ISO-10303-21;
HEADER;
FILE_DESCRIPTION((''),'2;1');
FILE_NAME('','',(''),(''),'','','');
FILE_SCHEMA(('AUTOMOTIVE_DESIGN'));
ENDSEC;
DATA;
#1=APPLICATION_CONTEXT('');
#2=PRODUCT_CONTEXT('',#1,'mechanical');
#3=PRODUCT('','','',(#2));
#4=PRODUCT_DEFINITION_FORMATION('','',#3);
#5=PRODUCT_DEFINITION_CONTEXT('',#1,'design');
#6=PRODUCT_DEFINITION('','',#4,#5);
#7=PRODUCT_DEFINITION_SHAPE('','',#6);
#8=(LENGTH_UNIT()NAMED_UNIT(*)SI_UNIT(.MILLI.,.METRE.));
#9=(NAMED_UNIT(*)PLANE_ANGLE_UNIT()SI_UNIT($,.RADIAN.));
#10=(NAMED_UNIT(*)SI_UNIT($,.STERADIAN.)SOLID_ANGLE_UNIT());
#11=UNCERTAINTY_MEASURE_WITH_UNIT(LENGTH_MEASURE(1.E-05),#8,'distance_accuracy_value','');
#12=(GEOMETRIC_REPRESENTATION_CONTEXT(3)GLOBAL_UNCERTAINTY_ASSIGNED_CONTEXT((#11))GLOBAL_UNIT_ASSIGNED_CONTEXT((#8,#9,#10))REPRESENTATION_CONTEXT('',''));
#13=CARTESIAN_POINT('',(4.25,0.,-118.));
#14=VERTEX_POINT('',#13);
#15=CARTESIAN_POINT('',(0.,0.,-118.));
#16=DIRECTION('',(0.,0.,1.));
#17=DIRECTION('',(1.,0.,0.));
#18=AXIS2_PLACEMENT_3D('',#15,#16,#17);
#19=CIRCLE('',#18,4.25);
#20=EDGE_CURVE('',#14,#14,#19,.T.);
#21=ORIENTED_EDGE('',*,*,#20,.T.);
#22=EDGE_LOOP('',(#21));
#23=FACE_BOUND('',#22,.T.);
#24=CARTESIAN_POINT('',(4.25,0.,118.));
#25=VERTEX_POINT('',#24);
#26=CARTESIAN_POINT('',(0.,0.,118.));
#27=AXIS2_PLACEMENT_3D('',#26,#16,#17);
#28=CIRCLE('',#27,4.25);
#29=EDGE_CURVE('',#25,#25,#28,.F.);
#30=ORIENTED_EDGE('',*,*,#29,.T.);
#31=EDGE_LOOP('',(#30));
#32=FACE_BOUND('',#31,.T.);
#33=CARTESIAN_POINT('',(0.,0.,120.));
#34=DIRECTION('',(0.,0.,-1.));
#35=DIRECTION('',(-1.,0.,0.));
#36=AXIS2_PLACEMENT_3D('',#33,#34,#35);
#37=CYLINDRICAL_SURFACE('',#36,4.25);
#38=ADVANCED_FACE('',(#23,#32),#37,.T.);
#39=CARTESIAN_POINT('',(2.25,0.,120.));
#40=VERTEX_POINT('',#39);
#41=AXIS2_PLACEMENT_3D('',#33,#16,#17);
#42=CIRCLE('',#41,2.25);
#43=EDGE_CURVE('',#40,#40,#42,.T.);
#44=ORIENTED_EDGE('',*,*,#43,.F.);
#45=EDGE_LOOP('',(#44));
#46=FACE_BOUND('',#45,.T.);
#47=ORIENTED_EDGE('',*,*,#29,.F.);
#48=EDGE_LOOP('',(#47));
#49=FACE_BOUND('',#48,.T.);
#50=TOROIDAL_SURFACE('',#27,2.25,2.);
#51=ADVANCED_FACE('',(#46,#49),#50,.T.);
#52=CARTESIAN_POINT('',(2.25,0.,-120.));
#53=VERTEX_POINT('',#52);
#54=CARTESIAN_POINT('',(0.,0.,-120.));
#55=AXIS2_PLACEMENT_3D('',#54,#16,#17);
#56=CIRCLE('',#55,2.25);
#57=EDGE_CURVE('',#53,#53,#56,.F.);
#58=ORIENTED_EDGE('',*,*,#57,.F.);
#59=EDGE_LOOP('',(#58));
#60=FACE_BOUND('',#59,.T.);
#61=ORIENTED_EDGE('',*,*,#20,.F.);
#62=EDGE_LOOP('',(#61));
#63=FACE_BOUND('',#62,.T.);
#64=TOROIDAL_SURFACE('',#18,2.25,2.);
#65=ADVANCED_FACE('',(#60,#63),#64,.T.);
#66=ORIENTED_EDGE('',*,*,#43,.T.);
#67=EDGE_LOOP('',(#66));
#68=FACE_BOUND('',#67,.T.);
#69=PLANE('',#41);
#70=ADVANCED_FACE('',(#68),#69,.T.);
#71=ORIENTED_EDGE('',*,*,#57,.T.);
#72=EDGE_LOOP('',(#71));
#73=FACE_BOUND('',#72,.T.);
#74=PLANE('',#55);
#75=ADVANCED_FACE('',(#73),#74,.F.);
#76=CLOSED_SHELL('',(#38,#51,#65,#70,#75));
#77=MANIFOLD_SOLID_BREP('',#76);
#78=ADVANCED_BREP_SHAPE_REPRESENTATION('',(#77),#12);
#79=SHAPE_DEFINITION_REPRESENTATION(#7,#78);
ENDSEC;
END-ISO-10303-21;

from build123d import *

# Parameters (mm, degrees)
SKETCH1_R           = 4.25
BOSS_EXTRUDE1_DEPTH = 120
FILLET1_R           = 2


with BuildPart() as part:
    # Sketch1 → Boss-Extrude1 (new body, symmetric)
    with BuildSketch(Plane.XY):
        Circle(SKETCH1_R)
    extrude(amount=BOSS_EXTRUDE1_DEPTH, both=True)

    # Fillet1
    fillet1_edges = [part.edges().sort_by_distance(p)[0] for p in [
        (-4.25, 0, -120),
        (-4.25, 0, 120),
    ]]
    fillet(fillet1_edges, radius=FILLET1_R)


solid = part.part
